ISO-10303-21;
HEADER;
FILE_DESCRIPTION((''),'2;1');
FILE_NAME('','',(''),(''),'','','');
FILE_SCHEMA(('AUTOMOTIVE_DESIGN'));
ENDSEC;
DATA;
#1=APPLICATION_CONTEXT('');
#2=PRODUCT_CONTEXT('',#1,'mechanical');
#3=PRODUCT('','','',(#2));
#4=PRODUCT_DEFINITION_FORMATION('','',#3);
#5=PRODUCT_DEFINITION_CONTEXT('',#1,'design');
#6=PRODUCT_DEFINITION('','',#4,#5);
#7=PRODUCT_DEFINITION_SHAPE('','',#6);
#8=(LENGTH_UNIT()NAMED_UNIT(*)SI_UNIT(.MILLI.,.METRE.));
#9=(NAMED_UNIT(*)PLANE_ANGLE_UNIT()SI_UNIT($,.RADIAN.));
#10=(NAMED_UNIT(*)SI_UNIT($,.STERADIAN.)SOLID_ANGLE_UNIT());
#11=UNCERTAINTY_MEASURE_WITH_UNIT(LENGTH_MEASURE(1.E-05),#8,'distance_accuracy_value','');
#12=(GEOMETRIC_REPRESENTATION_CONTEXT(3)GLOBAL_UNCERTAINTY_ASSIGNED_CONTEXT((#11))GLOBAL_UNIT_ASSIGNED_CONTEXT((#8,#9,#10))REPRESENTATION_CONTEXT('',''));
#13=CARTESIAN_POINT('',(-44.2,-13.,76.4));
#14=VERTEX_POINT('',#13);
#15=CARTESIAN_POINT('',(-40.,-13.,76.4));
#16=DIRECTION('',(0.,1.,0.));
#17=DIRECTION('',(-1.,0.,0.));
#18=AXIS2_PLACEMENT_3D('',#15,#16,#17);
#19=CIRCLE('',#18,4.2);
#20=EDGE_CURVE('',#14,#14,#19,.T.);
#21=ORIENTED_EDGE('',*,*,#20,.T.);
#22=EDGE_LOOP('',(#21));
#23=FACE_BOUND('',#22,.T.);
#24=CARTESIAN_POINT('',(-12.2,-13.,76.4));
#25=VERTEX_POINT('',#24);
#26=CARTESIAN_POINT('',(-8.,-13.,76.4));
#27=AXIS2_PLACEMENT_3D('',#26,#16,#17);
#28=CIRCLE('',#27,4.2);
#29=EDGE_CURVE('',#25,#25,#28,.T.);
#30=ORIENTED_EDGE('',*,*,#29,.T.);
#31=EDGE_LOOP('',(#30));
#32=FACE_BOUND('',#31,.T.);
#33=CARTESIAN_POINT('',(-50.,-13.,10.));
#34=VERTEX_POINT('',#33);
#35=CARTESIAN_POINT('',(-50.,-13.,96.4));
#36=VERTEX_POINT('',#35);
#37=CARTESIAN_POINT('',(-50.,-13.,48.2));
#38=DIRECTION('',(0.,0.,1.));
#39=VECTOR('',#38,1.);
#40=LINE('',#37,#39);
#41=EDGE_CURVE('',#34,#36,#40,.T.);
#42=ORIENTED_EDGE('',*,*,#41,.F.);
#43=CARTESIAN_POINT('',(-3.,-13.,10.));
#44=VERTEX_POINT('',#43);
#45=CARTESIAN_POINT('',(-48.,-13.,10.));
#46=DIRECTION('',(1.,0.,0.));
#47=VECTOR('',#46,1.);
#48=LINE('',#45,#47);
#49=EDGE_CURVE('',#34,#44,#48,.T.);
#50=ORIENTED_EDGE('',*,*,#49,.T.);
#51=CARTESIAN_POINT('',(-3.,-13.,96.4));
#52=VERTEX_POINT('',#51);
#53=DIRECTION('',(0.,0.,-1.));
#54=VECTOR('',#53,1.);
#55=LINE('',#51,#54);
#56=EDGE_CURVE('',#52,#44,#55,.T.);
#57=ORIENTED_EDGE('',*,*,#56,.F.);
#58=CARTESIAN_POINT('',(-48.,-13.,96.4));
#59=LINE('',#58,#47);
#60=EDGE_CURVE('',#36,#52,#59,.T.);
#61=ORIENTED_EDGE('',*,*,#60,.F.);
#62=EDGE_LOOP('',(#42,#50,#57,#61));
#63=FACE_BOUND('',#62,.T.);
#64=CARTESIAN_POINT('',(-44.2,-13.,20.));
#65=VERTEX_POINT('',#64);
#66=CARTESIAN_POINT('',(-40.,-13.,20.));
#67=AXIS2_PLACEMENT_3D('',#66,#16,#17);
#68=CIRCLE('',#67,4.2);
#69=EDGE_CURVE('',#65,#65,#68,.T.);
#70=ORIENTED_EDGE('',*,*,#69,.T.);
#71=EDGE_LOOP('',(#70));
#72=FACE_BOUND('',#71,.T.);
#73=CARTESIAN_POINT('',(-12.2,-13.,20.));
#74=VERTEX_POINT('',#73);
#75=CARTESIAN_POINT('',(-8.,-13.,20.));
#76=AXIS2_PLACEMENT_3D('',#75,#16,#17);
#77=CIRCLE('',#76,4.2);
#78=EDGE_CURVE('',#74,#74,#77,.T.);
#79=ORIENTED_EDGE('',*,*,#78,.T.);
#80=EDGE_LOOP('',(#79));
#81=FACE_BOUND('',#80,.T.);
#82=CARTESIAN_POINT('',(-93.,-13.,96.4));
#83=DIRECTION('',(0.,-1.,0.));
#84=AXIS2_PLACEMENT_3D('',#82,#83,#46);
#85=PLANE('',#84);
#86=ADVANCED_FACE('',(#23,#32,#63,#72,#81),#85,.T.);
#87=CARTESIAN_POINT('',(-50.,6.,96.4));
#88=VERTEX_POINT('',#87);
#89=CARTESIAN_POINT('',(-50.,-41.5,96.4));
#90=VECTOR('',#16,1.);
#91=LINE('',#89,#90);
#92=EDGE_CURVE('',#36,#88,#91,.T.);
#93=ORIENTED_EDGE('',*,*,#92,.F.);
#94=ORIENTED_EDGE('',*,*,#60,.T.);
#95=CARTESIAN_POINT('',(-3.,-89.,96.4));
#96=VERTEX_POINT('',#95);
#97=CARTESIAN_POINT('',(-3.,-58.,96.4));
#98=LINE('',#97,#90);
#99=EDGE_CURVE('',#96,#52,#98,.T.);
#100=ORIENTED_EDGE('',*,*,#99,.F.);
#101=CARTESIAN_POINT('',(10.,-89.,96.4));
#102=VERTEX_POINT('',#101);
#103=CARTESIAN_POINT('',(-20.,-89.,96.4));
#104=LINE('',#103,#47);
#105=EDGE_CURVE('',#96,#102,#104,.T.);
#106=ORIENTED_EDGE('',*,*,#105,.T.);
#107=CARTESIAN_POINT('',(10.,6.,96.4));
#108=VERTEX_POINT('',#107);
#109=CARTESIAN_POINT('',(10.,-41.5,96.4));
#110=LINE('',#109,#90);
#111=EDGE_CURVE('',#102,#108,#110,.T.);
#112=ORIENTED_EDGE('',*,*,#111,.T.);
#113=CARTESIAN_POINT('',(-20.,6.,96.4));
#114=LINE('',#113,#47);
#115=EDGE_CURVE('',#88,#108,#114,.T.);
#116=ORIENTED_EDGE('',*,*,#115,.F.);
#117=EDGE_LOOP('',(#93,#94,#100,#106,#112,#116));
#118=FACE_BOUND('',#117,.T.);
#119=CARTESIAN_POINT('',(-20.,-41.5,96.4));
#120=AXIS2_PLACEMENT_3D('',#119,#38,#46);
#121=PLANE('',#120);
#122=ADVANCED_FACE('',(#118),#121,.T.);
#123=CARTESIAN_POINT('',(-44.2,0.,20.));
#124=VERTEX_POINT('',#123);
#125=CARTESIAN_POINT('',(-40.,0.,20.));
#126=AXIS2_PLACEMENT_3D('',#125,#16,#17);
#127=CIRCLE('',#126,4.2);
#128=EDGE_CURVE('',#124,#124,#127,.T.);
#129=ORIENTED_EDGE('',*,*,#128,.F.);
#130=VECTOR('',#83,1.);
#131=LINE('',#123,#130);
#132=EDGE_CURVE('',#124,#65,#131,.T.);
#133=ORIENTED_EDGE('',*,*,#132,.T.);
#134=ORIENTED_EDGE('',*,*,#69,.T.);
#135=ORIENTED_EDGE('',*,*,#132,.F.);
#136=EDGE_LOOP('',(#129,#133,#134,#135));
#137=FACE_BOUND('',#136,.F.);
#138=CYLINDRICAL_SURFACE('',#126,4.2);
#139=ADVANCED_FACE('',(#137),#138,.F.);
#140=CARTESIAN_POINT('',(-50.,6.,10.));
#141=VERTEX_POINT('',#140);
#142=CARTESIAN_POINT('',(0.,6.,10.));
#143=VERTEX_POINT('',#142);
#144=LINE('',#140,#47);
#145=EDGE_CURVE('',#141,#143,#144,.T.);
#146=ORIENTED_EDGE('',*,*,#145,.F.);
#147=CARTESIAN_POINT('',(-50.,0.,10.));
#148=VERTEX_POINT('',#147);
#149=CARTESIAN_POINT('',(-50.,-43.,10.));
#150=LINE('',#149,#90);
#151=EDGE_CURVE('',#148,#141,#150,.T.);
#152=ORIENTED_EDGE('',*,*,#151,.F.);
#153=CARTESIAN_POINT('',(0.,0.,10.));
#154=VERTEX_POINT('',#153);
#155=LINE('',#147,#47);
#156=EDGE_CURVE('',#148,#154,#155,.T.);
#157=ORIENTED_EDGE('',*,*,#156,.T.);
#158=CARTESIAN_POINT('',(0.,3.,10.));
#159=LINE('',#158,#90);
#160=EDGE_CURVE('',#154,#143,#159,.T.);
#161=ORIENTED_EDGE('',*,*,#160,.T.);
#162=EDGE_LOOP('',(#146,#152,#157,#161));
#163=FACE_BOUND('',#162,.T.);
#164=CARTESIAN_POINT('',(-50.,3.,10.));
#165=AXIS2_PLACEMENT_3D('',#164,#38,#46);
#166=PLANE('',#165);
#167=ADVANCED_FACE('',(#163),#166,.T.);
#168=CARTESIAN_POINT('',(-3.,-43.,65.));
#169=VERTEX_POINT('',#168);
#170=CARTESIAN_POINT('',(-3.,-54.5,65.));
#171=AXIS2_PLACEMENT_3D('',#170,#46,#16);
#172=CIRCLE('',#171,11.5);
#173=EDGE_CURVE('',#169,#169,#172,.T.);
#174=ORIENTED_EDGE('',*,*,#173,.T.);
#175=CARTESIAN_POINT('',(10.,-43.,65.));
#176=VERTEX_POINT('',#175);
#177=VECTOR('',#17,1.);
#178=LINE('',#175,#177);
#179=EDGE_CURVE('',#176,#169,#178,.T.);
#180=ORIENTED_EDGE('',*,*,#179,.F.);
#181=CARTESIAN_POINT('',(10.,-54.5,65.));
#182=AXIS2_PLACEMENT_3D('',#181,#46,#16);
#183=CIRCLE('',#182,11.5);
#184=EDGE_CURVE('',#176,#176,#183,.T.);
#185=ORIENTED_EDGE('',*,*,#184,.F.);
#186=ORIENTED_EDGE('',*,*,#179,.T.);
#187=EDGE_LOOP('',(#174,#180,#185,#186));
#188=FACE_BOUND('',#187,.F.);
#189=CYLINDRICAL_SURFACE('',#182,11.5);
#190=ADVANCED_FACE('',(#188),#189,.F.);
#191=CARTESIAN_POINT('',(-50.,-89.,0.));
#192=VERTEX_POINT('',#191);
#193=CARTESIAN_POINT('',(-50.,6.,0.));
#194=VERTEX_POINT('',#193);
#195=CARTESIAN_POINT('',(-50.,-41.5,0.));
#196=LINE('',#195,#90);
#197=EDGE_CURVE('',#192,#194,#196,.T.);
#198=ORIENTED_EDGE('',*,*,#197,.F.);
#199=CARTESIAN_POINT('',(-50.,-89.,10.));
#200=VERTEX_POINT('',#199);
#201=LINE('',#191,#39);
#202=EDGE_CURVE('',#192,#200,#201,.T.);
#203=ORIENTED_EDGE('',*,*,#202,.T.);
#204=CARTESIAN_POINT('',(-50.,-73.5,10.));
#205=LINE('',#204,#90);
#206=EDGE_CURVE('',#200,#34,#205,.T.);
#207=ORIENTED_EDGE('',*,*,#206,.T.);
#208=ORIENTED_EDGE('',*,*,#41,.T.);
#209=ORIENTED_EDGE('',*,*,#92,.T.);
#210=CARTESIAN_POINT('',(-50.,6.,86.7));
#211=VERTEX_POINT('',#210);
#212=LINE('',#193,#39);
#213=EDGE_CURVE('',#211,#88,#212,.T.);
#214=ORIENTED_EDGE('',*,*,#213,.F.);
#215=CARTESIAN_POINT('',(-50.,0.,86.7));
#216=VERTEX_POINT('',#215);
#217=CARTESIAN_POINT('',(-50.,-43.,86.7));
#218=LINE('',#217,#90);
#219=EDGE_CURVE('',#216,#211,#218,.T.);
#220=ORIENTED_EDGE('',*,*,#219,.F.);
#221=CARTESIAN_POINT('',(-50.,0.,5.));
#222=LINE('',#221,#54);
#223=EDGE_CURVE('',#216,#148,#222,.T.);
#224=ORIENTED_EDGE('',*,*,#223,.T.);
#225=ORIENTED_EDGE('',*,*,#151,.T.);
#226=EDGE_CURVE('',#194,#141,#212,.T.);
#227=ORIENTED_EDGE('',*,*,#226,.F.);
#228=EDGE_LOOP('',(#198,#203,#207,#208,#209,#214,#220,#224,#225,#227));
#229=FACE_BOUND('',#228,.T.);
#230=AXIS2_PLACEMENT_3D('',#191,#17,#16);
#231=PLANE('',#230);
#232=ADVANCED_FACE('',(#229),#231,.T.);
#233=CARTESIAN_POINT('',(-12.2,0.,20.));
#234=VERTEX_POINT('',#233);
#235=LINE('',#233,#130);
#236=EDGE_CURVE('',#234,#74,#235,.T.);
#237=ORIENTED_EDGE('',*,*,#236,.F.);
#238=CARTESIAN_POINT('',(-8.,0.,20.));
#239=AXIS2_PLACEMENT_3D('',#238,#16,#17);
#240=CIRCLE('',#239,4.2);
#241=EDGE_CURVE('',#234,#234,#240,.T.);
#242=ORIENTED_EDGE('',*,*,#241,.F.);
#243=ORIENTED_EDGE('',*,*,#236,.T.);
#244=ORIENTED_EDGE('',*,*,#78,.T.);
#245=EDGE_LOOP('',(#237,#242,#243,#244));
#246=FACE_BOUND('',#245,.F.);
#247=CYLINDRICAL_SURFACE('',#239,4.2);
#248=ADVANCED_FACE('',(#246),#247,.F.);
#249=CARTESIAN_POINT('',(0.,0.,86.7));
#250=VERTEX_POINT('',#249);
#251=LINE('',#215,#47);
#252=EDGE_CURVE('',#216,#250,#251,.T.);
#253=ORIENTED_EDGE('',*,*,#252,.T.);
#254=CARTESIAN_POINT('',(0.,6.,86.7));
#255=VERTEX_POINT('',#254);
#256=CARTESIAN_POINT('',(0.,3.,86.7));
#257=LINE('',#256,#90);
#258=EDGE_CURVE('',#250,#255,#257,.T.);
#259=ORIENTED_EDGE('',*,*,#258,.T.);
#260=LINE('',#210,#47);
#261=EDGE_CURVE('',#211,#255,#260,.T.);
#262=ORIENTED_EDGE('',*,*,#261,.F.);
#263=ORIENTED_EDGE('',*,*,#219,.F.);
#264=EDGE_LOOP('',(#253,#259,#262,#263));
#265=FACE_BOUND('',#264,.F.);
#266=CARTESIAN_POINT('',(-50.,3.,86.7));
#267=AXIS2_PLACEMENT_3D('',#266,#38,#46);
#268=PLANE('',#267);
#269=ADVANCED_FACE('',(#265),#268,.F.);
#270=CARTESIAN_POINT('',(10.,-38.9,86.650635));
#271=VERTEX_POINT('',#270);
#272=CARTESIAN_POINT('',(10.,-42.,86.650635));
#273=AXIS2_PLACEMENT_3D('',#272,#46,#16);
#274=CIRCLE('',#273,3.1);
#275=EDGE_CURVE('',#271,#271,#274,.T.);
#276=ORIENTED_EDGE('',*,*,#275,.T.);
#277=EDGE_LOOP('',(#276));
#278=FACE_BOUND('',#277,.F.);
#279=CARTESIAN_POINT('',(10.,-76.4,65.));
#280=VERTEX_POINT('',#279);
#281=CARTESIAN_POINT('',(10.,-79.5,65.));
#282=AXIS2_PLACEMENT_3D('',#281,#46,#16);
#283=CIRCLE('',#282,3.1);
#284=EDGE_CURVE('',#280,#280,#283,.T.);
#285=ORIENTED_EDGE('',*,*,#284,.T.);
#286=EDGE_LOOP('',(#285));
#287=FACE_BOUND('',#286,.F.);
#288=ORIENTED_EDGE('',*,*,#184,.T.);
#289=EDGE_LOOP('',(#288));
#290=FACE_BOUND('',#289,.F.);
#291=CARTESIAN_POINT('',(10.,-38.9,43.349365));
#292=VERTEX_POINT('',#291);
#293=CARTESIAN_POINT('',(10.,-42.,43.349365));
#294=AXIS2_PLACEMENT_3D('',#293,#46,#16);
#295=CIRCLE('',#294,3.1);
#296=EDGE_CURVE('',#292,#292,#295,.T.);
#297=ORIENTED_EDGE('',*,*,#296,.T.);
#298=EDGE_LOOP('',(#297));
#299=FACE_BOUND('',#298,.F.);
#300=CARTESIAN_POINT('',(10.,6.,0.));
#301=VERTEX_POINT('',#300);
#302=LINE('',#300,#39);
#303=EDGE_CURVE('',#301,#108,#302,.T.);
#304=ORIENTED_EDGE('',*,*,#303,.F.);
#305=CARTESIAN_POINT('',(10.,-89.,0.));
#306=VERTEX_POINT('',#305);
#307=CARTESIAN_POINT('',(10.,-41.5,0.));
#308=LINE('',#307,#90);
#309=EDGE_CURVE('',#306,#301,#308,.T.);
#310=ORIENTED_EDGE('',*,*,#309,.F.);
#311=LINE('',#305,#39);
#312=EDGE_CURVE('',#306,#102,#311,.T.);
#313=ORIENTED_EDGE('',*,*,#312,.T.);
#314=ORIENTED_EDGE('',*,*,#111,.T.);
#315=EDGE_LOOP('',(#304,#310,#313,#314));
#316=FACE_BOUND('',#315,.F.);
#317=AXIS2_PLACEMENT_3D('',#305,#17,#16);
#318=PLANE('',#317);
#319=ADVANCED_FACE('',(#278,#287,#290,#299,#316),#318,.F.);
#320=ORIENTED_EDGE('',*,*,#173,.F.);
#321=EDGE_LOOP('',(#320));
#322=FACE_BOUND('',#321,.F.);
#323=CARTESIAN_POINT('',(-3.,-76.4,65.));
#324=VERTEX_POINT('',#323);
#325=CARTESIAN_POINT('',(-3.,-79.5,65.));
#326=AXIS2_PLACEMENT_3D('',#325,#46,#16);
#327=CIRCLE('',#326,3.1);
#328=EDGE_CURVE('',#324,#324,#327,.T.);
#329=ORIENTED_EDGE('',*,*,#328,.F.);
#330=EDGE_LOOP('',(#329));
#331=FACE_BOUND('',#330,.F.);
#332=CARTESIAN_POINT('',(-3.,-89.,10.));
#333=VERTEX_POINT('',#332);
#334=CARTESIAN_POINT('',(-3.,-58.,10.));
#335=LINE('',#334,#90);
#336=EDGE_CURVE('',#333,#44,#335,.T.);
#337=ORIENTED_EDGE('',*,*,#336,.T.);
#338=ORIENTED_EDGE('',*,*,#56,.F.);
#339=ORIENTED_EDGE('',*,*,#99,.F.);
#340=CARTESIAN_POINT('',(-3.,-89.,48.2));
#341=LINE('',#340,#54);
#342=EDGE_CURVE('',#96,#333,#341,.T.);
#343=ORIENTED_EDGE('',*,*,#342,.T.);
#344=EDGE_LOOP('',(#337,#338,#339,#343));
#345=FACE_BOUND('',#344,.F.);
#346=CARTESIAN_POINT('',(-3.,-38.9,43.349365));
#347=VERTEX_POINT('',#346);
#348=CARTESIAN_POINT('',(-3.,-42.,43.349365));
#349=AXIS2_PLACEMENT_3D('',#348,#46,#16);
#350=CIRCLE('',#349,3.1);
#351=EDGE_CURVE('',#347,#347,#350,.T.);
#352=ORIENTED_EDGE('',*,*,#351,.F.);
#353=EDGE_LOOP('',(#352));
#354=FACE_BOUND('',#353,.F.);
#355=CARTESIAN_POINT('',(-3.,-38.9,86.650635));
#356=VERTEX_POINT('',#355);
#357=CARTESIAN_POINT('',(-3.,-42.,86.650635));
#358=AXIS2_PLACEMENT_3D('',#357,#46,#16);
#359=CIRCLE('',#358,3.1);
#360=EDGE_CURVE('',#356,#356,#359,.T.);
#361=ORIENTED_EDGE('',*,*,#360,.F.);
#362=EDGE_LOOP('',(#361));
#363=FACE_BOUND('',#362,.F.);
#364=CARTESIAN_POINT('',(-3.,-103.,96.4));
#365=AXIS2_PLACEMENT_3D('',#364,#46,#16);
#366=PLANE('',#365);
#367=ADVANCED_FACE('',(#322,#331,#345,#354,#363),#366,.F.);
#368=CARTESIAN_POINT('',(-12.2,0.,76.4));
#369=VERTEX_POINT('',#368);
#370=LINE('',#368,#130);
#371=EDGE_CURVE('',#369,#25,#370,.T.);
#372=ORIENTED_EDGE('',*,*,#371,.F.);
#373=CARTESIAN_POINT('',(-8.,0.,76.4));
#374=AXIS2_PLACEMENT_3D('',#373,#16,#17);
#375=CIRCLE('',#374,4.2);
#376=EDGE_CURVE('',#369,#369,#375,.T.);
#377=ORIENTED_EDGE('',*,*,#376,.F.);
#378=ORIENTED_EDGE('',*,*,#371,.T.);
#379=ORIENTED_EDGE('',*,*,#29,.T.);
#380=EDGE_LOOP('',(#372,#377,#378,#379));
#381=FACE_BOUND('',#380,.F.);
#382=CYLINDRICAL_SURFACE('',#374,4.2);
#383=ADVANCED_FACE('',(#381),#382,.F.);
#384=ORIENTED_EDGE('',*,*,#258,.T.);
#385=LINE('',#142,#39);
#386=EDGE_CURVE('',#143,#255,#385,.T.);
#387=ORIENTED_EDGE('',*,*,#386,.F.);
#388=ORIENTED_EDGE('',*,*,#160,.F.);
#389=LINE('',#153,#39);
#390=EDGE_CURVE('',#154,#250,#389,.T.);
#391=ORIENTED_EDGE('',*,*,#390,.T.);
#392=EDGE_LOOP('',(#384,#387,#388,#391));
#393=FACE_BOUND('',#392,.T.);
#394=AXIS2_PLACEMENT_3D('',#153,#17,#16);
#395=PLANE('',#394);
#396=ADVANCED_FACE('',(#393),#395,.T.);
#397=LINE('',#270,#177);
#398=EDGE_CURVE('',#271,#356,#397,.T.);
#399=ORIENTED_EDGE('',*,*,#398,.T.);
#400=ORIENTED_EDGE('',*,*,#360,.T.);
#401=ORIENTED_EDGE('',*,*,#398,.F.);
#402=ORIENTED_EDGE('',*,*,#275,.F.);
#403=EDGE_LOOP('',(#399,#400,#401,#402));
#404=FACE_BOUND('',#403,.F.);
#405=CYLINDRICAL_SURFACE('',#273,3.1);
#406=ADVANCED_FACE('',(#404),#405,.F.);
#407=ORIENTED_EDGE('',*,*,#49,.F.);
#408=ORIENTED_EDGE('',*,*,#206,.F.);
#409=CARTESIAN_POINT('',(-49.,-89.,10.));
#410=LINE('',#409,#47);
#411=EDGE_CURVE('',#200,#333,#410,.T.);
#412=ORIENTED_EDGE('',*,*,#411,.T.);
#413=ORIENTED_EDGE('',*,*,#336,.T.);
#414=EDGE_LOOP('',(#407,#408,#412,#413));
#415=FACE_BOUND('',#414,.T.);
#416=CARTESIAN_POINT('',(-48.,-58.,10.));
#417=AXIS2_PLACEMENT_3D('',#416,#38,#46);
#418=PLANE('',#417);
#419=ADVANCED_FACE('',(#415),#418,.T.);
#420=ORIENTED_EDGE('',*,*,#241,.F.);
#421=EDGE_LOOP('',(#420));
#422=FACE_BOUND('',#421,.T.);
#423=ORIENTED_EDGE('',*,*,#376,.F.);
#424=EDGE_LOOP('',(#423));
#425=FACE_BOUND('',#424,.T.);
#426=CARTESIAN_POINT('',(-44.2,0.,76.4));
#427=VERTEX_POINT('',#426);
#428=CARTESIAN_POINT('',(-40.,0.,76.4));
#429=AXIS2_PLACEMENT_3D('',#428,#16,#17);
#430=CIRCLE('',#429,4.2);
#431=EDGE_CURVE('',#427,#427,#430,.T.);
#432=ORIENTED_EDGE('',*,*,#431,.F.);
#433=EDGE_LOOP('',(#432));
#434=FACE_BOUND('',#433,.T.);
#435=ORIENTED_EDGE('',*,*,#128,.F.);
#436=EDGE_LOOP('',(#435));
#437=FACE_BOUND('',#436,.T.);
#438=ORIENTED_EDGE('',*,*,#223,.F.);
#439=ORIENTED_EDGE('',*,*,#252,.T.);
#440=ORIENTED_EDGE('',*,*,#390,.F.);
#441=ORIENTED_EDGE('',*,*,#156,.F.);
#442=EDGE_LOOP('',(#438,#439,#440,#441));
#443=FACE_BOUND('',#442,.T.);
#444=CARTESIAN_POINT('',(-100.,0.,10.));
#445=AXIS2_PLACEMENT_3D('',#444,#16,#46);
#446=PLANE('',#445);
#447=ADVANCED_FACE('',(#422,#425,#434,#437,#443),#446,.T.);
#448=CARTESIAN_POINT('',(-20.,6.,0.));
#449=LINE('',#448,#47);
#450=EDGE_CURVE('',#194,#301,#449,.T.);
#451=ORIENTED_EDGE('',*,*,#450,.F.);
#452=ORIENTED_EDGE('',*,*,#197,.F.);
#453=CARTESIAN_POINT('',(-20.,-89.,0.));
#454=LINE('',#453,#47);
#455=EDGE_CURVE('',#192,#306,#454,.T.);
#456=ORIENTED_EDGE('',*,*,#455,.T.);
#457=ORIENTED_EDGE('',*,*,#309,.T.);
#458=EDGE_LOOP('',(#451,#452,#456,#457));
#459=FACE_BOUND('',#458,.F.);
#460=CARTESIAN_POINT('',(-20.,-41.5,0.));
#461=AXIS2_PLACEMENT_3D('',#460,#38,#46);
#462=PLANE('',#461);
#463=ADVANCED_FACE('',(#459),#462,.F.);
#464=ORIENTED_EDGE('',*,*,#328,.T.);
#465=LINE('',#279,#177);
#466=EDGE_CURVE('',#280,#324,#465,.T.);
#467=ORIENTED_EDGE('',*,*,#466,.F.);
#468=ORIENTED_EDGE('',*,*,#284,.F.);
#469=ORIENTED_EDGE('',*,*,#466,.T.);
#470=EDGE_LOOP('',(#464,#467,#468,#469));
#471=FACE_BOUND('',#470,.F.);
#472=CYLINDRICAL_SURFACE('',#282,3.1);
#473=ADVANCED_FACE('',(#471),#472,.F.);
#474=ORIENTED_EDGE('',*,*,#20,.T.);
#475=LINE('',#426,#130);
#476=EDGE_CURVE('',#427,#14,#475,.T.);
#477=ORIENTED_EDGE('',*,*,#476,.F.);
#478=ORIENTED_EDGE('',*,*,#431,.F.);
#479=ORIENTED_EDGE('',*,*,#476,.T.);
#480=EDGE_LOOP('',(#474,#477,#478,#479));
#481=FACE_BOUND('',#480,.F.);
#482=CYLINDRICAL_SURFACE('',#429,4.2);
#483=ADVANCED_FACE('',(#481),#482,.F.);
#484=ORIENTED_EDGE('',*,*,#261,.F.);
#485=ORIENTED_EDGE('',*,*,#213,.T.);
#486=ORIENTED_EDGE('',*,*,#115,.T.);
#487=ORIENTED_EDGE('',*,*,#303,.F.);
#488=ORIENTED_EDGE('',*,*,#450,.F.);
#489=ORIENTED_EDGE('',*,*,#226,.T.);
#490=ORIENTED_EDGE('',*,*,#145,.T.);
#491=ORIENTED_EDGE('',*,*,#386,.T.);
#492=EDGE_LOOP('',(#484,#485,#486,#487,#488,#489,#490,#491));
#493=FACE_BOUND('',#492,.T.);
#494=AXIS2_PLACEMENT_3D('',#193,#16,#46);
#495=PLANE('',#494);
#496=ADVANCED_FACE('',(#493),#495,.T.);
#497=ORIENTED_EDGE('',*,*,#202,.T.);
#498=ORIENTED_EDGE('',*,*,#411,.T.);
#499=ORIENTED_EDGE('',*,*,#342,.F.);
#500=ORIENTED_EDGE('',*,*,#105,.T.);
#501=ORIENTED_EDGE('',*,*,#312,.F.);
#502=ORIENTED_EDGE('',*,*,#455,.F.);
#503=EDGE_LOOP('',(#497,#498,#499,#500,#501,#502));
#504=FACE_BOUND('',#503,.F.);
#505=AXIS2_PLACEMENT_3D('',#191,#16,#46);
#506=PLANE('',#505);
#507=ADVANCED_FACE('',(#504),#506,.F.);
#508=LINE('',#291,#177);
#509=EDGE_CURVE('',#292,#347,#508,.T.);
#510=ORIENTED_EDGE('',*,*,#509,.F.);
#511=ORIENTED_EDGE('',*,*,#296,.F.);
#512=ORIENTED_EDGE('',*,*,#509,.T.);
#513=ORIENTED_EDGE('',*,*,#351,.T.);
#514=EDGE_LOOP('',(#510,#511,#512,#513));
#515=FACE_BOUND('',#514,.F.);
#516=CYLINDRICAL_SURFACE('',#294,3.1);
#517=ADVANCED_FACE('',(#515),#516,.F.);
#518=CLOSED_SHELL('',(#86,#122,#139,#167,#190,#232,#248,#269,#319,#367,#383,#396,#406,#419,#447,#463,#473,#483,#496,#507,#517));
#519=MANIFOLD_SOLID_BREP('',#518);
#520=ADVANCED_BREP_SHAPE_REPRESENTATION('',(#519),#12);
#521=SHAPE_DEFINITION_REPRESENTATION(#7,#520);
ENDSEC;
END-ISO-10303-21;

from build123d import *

# Parameters (mm, degrees)
BOX_W           = 100
BOX_H           = 6
BOX_DEPTH       = 76.7
SKETCH_W        = 60
SKETCH_H        = 95
PAD_DEPTH       = 96.4
SKETCH001_W     = 90
SKETCH001_H     = 90
POCKET_DEPTH    = 86.4
SKETCH003_R     = 11.5
SKETCH003_R_2   = 3.1
POCKET001_DEPTH = 20
SKETCH004_R     = 4.2
POCKET002_DEPTH = 13


with BuildPart() as crossbeam_slot:
    # Box → Box (new body)
    with BuildSketch(Plane(origin=(-100, 0, 10), x_dir=(1, 0, 0), z_dir=(0, 0, 1))):
        with Locations((50, 3)):
            Rectangle(BOX_W, BOX_H)
    extrude(amount=BOX_DEPTH)


with BuildPart() as pocket002:
    # Sketch → Pad (new body)
    with BuildSketch(Plane.XY):
        with Locations((-20, -41.5)):
            Rectangle(SKETCH_W, SKETCH_H)
    extrude(amount=PAD_DEPTH)

    # Cut: cut Crossbeam Slot
    add(crossbeam_slot.part, mode=Mode.SUBTRACT)

    # Sketch001 → Pocket (cut)
    with BuildSketch(Plane.XY.offset(96.4)):
        with Locations((-48, -58)):
            Rectangle(SKETCH001_W, SKETCH001_H)
    extrude(amount=-POCKET_DEPTH, mode=Mode.SUBTRACT)

    # Sketch003 → Pocket001 (cut)
    with BuildSketch(Plane.YZ.offset(10)):
        with Locations((-54.5, 65)):
            Circle(SKETCH003_R)
        with Locations((-42, 43.349365)):
            Circle(SKETCH003_R_2)
        with Locations((-42, 86.650635)):
            Circle(SKETCH003_R_2)
        with Locations((-79.5, 65)):
            Circle(SKETCH003_R_2)
    extrude(amount=-POCKET001_DEPTH, mode=Mode.SUBTRACT)

    # Sketch004 → Pocket002 (cut)
    with BuildSketch(Plane(origin=(0, 0, 0), x_dir=(-1, 0, 0), z_dir=(0, 1, 0))):
        with Locations((8, 76.4)):
            Circle(SKETCH004_R)
        with Locations((40, 76.4)):
            Circle(SKETCH004_R)
        with Locations((8, 20)):
            Circle(SKETCH004_R)
        with Locations((40, 20)):
            Circle(SKETCH004_R)
    extrude(amount=-POCKET002_DEPTH, mode=Mode.SUBTRACT)


solid = pocket002.part
